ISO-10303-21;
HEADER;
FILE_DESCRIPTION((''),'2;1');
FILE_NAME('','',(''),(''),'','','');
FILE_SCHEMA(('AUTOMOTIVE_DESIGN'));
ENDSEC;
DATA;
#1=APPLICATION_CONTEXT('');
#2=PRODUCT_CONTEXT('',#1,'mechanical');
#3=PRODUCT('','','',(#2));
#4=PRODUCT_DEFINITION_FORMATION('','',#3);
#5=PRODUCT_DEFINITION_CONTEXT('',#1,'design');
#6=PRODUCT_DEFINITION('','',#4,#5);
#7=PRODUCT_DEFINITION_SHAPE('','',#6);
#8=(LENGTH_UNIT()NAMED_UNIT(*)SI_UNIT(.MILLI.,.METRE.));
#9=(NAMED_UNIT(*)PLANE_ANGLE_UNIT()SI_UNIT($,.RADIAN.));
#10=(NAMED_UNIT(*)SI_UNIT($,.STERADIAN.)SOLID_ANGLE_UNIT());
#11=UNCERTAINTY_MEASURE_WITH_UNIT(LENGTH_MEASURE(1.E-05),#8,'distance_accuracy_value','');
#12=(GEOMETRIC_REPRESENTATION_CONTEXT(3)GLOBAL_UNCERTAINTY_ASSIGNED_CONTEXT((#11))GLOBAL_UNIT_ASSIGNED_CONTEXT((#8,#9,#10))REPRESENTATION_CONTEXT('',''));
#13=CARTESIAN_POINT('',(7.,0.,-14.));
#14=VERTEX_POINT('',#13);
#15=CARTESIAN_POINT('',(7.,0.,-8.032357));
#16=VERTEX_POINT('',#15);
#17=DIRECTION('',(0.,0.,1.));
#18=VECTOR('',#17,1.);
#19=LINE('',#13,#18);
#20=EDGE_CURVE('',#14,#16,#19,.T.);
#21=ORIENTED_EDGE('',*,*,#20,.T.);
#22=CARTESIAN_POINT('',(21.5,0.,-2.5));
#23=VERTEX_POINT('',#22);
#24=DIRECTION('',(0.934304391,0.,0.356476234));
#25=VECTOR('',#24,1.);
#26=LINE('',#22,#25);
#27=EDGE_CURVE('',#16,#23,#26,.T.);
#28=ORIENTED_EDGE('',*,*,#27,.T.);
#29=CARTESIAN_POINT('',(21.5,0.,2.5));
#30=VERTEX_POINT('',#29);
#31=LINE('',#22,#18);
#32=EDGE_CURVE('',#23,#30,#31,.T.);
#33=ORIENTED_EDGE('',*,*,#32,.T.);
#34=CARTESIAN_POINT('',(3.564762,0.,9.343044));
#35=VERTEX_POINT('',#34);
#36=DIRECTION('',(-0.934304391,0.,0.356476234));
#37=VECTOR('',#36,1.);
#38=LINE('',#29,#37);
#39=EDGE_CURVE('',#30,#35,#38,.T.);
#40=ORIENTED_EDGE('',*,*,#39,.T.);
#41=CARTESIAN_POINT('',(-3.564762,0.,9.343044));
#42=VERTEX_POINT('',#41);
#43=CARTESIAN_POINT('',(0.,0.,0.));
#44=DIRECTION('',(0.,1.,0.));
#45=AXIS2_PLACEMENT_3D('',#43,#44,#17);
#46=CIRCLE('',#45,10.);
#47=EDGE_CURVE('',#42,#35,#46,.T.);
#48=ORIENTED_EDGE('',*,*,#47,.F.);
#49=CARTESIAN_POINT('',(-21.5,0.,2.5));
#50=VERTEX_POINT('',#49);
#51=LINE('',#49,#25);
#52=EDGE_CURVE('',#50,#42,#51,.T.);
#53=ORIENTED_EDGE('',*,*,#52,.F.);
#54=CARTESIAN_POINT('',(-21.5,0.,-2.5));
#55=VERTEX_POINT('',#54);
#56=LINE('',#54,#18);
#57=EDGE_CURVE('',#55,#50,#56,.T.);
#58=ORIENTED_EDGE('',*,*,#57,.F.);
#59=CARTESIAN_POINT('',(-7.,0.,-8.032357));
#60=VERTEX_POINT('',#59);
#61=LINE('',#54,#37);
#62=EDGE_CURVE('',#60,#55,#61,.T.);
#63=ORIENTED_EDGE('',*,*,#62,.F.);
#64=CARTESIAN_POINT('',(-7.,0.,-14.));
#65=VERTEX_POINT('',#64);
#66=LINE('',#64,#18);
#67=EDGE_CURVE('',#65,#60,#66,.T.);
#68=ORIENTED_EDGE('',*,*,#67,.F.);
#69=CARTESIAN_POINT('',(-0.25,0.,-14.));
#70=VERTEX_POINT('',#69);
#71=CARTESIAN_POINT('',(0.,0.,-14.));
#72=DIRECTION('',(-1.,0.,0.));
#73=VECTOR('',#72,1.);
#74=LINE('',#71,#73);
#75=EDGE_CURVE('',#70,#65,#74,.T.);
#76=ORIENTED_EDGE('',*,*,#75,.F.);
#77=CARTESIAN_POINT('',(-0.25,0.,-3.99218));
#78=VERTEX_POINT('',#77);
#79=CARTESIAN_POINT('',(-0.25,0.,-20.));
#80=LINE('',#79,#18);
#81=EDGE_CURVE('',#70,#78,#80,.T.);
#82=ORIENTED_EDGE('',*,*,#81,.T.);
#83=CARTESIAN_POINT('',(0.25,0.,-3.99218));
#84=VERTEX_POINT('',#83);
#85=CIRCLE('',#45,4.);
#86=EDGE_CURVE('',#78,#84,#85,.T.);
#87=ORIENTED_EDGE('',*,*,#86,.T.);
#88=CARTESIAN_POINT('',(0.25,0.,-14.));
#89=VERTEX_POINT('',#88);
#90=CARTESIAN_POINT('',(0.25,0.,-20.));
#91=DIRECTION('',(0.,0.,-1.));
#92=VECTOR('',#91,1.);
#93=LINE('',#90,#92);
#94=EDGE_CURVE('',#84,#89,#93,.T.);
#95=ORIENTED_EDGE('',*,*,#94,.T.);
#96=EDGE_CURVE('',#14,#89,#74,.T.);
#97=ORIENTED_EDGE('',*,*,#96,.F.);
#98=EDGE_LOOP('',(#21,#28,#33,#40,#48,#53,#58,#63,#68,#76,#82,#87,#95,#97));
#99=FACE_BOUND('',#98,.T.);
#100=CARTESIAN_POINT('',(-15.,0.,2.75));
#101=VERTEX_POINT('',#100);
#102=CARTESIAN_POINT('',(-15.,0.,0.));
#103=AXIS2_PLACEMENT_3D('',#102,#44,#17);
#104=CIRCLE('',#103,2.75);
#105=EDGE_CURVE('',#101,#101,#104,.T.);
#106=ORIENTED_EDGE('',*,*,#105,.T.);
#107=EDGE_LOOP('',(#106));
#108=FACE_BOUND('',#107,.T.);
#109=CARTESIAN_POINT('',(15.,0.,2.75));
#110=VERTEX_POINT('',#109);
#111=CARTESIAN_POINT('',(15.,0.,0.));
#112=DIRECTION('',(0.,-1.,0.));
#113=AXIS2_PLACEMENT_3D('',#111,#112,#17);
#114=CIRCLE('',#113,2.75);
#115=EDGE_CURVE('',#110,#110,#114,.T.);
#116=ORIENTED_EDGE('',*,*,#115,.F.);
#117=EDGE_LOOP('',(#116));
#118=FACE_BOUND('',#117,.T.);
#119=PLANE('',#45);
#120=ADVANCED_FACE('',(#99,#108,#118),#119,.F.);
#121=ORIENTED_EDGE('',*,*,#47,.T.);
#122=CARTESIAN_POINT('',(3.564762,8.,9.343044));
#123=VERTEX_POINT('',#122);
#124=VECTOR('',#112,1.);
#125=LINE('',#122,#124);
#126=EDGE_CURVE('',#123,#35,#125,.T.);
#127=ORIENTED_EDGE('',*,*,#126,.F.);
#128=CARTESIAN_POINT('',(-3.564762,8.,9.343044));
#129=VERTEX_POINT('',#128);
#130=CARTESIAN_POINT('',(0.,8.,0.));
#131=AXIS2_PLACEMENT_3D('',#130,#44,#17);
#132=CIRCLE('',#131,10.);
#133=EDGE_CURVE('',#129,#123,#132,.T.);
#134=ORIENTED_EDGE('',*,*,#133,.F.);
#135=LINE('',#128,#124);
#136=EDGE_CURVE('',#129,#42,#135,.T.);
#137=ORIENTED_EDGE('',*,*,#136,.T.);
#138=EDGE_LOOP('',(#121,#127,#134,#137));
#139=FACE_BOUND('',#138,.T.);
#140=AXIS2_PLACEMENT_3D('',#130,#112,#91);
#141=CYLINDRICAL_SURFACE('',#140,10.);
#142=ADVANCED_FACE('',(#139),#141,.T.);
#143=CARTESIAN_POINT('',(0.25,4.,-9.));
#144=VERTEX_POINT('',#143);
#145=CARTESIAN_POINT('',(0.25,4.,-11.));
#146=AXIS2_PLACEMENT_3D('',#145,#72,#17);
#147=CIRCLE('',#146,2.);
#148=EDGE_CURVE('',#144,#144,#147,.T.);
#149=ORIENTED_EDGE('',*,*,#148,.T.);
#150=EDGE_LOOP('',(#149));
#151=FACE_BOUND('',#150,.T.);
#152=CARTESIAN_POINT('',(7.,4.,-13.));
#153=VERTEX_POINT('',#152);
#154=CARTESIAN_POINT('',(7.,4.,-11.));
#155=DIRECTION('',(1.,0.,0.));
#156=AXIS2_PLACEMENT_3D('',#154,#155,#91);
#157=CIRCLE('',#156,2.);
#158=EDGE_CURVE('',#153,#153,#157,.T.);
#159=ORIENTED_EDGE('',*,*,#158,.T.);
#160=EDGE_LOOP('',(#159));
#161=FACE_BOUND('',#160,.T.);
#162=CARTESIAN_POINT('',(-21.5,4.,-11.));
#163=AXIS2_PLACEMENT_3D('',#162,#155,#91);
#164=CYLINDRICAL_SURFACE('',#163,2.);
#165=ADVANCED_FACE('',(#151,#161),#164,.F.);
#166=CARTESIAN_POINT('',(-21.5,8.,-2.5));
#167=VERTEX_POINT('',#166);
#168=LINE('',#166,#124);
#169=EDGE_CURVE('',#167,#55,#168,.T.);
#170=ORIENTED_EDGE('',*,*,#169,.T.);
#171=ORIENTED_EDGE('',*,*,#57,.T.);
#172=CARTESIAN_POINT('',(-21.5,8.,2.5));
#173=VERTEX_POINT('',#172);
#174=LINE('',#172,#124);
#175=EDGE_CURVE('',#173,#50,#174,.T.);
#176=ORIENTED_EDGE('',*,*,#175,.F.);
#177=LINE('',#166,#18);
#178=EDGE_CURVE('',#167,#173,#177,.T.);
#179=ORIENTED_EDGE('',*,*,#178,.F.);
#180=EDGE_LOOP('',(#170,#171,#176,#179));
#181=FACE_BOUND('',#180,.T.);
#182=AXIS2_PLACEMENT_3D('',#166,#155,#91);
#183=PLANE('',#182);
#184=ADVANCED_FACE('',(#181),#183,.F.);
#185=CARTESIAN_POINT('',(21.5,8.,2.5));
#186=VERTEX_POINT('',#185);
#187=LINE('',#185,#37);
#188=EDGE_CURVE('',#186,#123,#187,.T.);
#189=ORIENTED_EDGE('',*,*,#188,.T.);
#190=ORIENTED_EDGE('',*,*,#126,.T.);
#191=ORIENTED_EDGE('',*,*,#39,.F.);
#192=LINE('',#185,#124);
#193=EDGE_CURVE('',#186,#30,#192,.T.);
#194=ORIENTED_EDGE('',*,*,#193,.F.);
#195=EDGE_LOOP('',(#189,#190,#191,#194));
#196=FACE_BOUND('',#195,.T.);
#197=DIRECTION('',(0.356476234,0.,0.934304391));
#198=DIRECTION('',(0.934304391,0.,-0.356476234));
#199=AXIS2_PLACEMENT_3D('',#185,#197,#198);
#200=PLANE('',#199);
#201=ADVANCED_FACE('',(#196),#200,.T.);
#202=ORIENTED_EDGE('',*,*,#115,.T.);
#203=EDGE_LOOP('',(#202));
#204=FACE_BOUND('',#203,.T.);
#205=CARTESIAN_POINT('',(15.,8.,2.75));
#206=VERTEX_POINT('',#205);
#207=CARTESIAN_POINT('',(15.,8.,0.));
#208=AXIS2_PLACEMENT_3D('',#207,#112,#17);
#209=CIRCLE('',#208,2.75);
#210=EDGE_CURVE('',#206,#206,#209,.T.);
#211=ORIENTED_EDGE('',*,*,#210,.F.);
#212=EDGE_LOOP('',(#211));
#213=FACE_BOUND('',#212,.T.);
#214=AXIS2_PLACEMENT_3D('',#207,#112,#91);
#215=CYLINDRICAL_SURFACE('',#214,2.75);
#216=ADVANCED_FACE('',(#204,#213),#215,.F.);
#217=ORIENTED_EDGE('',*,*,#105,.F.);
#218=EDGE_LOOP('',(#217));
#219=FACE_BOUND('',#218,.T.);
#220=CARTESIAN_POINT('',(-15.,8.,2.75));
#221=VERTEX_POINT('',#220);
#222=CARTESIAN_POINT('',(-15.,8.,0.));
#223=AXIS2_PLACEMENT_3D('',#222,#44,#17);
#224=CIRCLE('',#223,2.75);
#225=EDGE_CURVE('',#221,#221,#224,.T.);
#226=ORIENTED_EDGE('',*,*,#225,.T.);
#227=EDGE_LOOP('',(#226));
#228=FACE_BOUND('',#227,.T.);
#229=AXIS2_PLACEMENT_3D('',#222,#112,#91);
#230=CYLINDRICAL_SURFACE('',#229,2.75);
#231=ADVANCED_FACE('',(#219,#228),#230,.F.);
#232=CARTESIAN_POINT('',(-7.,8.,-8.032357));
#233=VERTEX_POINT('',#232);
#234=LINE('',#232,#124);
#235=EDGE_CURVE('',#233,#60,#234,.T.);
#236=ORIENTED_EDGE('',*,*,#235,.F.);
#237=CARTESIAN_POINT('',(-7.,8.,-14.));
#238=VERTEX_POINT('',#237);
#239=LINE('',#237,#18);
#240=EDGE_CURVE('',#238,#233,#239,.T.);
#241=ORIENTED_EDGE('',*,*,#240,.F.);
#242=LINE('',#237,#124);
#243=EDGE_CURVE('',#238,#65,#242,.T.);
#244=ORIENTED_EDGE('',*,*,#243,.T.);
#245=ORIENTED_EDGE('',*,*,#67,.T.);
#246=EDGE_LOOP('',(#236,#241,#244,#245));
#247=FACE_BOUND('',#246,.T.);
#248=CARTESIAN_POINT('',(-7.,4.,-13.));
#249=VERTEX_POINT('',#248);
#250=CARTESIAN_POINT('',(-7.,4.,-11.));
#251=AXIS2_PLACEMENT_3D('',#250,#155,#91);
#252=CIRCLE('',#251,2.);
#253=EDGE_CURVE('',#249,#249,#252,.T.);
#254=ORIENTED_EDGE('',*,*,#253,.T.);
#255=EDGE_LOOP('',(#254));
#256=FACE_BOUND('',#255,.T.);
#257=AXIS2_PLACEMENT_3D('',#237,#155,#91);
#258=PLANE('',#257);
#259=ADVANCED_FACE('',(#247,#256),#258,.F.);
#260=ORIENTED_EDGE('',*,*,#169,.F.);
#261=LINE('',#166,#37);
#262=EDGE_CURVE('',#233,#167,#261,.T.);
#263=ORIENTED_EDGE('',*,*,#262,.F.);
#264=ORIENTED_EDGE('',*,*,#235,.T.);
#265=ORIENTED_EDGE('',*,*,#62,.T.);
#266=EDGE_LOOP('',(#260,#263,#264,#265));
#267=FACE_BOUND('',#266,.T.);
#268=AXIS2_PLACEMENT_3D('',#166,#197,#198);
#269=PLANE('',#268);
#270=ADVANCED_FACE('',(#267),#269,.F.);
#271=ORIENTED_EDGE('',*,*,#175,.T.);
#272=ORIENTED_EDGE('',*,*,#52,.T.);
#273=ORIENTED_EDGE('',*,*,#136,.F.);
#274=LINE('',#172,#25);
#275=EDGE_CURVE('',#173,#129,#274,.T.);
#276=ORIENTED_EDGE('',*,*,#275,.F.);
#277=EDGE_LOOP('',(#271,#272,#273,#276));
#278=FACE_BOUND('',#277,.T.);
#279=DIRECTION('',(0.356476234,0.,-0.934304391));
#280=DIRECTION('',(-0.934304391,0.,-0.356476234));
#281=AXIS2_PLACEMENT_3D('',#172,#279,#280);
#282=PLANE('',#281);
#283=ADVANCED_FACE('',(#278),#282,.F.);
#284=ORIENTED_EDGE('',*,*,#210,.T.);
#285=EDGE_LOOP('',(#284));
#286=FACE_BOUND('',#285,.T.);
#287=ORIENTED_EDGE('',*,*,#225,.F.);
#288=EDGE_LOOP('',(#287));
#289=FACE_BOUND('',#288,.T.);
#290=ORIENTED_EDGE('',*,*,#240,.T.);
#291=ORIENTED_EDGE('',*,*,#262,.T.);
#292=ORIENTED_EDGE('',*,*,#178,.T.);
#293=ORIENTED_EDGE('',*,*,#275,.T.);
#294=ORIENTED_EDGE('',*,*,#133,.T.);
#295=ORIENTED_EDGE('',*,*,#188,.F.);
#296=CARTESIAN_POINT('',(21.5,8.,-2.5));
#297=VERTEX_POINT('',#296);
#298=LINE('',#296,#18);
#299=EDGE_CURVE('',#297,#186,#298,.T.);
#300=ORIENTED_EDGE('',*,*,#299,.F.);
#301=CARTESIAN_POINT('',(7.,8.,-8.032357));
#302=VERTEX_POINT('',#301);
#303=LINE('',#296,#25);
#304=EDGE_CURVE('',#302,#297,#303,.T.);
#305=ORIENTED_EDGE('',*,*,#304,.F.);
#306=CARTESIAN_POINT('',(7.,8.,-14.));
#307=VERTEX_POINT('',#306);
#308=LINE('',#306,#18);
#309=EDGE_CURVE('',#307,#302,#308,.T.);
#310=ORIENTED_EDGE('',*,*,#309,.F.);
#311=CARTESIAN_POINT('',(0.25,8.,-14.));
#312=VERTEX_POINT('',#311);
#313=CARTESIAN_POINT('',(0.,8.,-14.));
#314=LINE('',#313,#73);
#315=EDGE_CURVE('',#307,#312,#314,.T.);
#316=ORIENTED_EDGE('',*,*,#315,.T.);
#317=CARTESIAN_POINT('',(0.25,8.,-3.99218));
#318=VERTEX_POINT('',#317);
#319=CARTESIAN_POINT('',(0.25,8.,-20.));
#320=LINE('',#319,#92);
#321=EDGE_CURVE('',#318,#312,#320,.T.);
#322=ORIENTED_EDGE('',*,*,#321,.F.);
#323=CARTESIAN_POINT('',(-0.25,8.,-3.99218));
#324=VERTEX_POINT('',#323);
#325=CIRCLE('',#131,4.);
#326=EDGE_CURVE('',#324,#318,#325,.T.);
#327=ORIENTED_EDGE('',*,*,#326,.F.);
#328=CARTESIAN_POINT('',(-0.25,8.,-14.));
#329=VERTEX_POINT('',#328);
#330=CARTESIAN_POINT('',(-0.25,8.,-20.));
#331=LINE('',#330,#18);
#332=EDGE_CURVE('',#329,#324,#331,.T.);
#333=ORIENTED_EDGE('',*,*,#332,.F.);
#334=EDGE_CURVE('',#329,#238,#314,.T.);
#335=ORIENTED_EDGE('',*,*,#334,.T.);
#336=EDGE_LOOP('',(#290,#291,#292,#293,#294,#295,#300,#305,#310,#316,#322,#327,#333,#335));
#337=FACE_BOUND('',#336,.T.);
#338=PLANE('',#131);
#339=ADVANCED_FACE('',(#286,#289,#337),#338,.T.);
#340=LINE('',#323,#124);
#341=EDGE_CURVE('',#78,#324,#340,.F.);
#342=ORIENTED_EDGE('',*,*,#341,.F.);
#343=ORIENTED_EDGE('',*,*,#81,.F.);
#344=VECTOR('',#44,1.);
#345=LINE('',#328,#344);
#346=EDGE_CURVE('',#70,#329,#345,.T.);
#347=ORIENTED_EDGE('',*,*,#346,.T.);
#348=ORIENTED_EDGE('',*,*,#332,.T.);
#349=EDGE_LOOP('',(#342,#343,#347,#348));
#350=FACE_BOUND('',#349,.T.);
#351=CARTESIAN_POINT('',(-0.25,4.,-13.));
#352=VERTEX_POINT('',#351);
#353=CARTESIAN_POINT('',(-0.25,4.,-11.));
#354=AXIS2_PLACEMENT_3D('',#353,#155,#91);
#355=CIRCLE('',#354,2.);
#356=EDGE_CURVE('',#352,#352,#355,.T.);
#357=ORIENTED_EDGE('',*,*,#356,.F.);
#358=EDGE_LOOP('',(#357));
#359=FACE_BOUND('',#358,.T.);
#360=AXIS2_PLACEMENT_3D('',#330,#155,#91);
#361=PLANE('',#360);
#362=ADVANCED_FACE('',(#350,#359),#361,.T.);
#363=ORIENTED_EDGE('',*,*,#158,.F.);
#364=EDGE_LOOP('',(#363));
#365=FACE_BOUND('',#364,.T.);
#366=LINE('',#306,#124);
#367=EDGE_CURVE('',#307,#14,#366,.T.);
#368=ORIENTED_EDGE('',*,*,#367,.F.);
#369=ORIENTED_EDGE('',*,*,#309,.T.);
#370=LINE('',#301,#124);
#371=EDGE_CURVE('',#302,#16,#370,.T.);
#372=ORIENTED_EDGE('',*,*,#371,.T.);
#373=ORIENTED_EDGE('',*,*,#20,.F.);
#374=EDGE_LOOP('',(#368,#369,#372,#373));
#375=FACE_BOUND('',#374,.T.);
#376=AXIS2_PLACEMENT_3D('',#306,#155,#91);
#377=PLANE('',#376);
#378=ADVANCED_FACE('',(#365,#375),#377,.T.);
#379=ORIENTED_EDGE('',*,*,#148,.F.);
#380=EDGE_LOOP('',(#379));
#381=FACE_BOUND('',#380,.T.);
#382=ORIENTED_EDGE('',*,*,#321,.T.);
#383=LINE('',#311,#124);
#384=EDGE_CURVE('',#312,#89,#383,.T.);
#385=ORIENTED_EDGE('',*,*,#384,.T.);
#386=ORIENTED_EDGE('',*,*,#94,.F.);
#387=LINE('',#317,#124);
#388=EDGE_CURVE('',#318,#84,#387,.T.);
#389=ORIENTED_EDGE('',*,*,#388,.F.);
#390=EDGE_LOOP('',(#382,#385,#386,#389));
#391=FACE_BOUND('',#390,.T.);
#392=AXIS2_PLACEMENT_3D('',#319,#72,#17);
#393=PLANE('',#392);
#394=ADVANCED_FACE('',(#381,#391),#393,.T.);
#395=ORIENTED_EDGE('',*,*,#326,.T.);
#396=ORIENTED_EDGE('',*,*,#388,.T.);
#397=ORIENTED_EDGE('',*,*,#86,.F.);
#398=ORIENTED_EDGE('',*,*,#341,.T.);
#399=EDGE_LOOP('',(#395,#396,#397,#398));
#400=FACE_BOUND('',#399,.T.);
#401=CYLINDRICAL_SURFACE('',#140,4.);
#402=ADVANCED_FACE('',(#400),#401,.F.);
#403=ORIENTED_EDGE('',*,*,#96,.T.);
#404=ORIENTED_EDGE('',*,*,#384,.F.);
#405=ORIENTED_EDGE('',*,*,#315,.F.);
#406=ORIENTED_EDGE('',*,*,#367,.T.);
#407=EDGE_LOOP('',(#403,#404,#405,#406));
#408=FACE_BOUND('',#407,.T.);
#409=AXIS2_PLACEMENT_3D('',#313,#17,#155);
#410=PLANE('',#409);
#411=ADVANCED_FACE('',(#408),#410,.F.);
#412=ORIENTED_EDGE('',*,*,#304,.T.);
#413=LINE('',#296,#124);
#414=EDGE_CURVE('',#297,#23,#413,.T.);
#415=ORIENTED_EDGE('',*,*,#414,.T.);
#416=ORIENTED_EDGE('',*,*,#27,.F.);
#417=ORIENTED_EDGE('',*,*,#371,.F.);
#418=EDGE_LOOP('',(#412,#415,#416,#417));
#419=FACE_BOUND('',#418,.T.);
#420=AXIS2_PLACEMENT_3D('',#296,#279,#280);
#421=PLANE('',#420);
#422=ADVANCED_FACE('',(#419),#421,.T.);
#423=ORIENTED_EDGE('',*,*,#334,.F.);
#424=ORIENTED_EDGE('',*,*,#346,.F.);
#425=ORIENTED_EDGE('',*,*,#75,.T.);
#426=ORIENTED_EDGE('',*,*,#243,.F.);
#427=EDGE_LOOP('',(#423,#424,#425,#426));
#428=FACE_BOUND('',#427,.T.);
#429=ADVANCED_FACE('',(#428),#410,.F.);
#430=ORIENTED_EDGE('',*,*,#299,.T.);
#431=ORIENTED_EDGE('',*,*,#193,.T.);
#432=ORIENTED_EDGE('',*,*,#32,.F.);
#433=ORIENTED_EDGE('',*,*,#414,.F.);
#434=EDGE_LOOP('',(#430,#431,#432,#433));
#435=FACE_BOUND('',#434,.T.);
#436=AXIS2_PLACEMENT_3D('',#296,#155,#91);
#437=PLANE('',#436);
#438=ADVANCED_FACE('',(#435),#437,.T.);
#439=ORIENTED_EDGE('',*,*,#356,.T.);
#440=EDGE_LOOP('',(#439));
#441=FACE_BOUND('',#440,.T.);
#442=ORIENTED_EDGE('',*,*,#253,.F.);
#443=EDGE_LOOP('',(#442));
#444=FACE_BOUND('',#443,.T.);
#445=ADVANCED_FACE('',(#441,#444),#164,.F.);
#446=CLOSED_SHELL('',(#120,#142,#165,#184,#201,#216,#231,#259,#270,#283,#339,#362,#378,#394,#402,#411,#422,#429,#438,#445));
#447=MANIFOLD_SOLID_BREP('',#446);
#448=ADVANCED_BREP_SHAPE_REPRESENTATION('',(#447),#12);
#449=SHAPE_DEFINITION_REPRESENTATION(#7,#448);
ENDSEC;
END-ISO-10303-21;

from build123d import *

# Parameters (mm, degrees)
SKETCH1_R             = 2.75
BOSS_EXTRUDE1_DEPTH   = 8
CROQUIS1_R            = 4
CORTAR_EXTRUIR1_DEPTH = 27.874709301
CROQUIS2_W            = 0.5
CROQUIS2_H            = 20
CORTAR_EXTRUIR2_DEPTH = 27.874709301
SKETCH3_R             = 2
CUT_EXTRUDE1_DEPTH    = 33.74522866


with BuildPart() as part:
    # Sketch1 → Boss-Extrude1 (new body)
    with BuildSketch(Plane(origin=(0, 0, 0), x_dir=(1, 0, 0), z_dir=(0, 1, 0))):
        with BuildLine():
            Line((0, 14), (0, -10))
            ThreePointArc((0, -10), (-1.812396329, -9.834389638), (-3.564762336, -9.343043909))
            Line((-3.564762336, -9.343043909), (-21.5, -2.5))
            Line((-21.5, -2.5), (-21.5, 2.5))
            Line((-21.5, 2.5), (-7, 8.032356947))
            Line((-7, 8.032356947), (-7, 14))
            Line((-7, 14), (0, 14))
        make_face()
        with Locations(Location((-15, 0, 0), (0, 0, 270))):
            Circle(SKETCH1_R, mode=Mode.SUBTRACT)
    boss_extrude1 = extrude(amount=BOSS_EXTRUDE1_DEPTH)

    # Simetría1: Boss-Extrude1 across plane
    add(boss_extrude1.mirror(Plane(origin=(0, 8, -14), x_dir=(0, 0, 1), z_dir=(-1, 0, 0))))

    # Croquis1 → Cortar-Extruir1 (cut, through all)
    with BuildSketch(Plane(origin=(0, 0, 0), x_dir=(1, 0, 0), z_dir=(0, 1, 0))):
        with Locations(Location((0, 0, 0), (0, 0, 270))):
            Circle(CROQUIS1_R)
    extrude(amount=CORTAR_EXTRUIR1_DEPTH, mode=Mode.SUBTRACT)

    # Croquis2 → Cortar-Extruir2 (cut, through all)
    with BuildSketch(Plane(origin=(0, 0, 0), x_dir=(1, 0, 0), z_dir=(0, 1, 0))):
        with Locations((0, 10)):
            Rectangle(CROQUIS2_W, CROQUIS2_H)
    extrude(amount=CORTAR_EXTRUIR2_DEPTH, mode=Mode.SUBTRACT)

    # Sketch3 → Cut-Extrude1 (cut, through all)
    with BuildSketch(Plane(origin=(7, 0, 0), x_dir=(0, 0, -1), z_dir=(1, 0, 0))):
        with Locations((11, 4)):
            Circle(SKETCH3_R)
    extrude(amount=-CUT_EXTRUDE1_DEPTH, mode=Mode.SUBTRACT)


solid = part.part
